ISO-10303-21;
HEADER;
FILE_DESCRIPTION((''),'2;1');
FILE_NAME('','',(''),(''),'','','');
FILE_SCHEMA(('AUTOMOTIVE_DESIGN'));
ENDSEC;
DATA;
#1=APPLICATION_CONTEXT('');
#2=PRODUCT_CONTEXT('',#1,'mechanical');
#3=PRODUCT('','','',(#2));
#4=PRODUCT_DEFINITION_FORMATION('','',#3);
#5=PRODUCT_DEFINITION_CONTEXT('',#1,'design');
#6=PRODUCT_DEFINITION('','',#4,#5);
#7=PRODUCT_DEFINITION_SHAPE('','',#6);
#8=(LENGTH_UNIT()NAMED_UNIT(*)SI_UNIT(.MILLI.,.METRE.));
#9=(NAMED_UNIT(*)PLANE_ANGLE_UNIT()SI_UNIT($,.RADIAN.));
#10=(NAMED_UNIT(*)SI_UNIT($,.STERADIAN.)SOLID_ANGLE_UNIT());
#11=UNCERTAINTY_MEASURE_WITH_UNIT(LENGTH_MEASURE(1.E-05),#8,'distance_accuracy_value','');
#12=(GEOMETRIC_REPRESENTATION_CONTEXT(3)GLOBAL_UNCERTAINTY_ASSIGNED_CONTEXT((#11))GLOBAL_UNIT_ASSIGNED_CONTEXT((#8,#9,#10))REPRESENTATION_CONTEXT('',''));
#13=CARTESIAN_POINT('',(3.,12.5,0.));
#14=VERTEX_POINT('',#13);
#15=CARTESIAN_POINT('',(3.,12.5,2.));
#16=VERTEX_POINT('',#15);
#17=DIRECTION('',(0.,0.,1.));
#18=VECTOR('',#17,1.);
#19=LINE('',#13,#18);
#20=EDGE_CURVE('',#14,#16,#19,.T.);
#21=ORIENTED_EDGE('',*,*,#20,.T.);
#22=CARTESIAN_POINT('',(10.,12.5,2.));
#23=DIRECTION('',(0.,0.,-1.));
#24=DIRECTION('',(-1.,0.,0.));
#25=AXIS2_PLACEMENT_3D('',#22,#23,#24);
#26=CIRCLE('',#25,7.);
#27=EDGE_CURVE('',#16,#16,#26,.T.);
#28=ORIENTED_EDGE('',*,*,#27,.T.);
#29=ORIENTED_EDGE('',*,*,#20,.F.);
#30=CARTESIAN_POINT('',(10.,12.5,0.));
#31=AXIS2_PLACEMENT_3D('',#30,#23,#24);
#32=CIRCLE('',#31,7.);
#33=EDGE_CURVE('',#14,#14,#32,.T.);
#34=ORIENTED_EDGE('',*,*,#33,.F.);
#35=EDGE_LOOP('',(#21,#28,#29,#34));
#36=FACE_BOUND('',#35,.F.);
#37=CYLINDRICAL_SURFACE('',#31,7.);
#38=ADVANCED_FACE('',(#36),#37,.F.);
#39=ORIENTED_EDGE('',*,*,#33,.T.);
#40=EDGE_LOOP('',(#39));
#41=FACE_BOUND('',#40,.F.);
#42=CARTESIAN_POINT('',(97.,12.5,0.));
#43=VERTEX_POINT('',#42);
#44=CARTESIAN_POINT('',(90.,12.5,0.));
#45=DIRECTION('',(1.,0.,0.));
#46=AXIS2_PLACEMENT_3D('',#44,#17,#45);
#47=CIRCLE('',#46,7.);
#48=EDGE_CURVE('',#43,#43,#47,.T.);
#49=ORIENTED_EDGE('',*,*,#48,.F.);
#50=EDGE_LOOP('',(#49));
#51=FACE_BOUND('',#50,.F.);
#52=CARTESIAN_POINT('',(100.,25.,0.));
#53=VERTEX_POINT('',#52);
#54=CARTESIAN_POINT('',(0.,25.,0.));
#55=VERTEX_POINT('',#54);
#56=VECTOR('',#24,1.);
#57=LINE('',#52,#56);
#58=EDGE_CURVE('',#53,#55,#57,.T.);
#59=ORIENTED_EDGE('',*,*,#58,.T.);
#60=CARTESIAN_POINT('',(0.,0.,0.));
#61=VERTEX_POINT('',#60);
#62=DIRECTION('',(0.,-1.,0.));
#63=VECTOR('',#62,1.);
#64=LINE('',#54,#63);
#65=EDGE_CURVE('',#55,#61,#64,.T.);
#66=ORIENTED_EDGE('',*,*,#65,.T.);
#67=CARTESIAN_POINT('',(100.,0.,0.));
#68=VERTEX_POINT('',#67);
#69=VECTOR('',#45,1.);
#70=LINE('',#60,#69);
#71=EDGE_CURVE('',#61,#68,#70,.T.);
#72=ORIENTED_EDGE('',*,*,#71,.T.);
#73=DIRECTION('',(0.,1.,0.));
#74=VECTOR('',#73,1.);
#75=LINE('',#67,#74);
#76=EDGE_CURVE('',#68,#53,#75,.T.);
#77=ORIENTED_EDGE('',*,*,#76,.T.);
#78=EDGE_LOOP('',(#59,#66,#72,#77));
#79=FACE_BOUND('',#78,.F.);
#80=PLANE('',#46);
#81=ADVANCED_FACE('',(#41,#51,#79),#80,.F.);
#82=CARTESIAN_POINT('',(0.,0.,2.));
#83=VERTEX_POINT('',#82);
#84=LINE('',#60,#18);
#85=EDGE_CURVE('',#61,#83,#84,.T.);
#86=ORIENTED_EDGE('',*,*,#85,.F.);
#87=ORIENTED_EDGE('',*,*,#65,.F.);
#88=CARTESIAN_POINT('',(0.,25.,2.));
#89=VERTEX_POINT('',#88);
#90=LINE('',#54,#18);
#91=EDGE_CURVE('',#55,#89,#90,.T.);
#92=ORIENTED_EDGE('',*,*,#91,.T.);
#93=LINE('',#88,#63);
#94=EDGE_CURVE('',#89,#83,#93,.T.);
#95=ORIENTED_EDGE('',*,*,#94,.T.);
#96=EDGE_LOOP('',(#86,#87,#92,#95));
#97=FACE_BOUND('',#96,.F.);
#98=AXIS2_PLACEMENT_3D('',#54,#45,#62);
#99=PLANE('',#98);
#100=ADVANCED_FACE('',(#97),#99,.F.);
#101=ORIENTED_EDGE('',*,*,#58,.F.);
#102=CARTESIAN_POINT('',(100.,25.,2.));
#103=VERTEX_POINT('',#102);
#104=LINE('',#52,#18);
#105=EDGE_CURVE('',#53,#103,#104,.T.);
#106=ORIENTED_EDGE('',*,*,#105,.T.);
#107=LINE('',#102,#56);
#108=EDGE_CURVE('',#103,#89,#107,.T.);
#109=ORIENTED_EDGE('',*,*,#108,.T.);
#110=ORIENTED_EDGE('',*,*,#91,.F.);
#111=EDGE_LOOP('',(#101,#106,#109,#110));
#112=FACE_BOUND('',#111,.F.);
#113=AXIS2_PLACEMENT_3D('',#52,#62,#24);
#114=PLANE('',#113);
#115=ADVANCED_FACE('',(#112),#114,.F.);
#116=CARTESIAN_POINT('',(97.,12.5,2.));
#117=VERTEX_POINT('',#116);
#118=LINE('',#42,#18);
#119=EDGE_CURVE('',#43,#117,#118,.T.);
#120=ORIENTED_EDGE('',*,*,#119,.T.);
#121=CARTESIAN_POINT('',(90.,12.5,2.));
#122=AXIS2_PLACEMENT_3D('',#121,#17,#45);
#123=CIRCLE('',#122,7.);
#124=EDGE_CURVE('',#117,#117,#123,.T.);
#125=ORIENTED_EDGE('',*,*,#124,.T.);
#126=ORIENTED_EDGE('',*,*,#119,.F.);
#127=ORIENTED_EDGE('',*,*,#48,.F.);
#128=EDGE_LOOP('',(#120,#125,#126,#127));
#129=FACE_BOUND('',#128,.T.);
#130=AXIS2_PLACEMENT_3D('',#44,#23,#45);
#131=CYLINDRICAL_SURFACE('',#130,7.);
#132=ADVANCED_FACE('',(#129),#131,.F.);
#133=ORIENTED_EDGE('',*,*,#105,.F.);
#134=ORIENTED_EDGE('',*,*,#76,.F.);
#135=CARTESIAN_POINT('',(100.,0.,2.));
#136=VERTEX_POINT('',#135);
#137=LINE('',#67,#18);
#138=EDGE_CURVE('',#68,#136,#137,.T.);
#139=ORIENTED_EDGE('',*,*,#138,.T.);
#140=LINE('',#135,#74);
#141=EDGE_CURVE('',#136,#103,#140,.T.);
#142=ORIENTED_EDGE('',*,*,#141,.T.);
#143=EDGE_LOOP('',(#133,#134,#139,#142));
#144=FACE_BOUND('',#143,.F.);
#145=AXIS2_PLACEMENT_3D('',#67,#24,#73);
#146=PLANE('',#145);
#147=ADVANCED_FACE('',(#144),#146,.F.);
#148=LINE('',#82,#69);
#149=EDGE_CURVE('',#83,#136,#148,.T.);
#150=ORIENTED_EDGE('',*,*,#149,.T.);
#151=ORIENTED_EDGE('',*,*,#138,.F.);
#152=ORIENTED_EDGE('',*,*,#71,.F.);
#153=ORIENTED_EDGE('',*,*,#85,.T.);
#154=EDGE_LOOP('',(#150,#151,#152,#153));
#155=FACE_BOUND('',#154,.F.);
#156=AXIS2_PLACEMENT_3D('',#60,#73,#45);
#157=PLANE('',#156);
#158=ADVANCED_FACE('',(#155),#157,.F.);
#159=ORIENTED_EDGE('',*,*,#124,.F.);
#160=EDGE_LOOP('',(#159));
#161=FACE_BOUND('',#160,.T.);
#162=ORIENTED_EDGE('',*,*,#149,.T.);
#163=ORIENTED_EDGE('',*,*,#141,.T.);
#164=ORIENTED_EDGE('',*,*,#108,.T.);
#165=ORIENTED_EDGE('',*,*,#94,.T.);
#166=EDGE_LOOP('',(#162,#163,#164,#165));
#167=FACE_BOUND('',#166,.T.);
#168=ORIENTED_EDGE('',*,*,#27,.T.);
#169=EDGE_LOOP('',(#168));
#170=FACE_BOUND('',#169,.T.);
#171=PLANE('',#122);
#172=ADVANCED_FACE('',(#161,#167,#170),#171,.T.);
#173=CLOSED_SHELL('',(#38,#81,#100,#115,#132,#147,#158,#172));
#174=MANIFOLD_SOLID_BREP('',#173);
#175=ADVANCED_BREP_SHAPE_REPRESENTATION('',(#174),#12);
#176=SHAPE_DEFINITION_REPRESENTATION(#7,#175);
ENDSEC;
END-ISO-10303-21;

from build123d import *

# Parameters (mm, degrees)
F0_R     = 7
F1_DEPTH = 2


with BuildPart() as f1:
    # F0 (on Top) → F1 (new body)
    with BuildSketch(Plane.XY):
        with Locations((90, 12.5)):
            Circle(F0_R)
        with BuildLine():
            ThreePointArc((17, 12.5), (10, 19.5), (3, 12.5))
            ThreePointArc((3, 12.5), (10, 5.5), (17, 12.5))
        make_face()
        Polygon((0, 12.5), (0, 0), (100, 0), (100, 12.5), (100, 25), (0, 25), align=None)
        with BuildLine():
            ThreePointArc((17, 12.5), (10, 5.5), (3, 12.5))
            ThreePointArc((3, 12.5), (10, 19.5), (17, 12.5))
        make_face(mode=Mode.SUBTRACT)
        with Locations((90, 12.5)):
            Circle(F0_R, mode=Mode.SUBTRACT)
    extrude(amount=F1_DEPTH)


solid = f1.part
